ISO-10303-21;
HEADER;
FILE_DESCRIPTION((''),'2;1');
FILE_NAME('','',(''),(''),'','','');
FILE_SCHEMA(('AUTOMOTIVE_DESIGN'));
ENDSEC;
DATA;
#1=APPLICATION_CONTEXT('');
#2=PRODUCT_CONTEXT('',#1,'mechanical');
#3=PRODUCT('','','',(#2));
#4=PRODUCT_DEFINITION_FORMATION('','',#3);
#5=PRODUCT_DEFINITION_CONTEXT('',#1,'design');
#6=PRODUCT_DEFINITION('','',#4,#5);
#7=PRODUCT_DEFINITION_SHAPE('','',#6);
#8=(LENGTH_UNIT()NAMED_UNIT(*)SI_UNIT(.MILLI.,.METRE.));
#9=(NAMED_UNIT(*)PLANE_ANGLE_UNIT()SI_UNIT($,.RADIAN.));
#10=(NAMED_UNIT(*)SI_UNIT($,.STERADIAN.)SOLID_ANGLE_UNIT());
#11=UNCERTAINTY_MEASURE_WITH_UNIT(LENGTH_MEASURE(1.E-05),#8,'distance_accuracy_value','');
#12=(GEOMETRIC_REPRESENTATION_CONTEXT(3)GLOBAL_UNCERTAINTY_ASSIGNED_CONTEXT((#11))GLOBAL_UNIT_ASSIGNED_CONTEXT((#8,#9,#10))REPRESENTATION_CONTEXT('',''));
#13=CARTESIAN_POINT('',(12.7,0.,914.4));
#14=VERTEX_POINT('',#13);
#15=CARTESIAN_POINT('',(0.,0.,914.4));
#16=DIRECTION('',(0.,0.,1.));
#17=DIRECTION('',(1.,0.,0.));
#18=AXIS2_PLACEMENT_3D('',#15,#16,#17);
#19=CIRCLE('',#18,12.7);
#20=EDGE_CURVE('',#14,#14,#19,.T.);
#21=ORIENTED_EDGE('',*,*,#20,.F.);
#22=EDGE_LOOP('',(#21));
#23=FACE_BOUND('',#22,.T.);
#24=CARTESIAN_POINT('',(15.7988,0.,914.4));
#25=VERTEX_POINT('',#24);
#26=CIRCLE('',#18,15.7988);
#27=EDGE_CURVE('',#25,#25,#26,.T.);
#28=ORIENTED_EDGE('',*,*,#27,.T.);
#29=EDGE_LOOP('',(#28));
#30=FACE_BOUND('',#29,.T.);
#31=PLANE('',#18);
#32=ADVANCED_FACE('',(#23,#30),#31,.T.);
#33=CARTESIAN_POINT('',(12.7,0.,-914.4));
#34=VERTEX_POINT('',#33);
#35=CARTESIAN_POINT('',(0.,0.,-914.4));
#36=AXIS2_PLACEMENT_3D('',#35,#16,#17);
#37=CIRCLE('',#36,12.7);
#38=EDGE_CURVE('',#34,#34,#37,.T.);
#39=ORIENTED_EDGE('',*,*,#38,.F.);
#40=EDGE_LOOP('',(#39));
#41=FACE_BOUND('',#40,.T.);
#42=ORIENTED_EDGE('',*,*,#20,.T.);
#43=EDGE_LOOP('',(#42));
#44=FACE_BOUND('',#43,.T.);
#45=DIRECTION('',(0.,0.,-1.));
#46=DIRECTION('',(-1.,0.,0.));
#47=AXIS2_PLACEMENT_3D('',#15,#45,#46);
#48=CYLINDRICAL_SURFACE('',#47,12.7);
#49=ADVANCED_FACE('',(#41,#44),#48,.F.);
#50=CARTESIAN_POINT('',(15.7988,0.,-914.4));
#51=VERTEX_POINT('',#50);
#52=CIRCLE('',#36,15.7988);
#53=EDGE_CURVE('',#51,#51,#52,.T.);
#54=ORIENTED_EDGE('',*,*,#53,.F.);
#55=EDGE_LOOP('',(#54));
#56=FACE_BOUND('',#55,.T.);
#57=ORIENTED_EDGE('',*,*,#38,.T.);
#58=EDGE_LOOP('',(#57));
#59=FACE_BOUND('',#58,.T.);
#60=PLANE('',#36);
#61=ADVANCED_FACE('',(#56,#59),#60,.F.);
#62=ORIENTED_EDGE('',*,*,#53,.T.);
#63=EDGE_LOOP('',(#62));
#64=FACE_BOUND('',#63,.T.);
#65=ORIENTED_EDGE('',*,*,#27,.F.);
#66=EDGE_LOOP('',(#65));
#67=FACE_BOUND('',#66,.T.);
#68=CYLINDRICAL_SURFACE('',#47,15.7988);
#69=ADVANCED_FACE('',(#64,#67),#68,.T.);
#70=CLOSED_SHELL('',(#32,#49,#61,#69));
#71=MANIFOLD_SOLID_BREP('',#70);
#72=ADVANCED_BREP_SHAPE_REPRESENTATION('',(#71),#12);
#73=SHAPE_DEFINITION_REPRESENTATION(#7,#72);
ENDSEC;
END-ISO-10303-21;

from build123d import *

# Parameters (mm, degrees)
SKETCH3_R                = 15.7988
SKETCH3_R_2              = 12.7
BOSS_EXTRUDE1_DEPTH      = 914.4
BOSS_EXTRUDE1_DEPTH_BACK = 914.4


with BuildPart() as part:
    # Sketch3 → Boss-Extrude1 (new body, two sides)
    with BuildSketch(Plane.XY) as boss_extrude1_sk:
        Circle(SKETCH3_R)
        Circle(SKETCH3_R_2, mode=Mode.SUBTRACT)
    extrude(amount=BOSS_EXTRUDE1_DEPTH)
    extrude(boss_extrude1_sk.sketch, amount=-BOSS_EXTRUDE1_DEPTH_BACK)


solid = part.part
